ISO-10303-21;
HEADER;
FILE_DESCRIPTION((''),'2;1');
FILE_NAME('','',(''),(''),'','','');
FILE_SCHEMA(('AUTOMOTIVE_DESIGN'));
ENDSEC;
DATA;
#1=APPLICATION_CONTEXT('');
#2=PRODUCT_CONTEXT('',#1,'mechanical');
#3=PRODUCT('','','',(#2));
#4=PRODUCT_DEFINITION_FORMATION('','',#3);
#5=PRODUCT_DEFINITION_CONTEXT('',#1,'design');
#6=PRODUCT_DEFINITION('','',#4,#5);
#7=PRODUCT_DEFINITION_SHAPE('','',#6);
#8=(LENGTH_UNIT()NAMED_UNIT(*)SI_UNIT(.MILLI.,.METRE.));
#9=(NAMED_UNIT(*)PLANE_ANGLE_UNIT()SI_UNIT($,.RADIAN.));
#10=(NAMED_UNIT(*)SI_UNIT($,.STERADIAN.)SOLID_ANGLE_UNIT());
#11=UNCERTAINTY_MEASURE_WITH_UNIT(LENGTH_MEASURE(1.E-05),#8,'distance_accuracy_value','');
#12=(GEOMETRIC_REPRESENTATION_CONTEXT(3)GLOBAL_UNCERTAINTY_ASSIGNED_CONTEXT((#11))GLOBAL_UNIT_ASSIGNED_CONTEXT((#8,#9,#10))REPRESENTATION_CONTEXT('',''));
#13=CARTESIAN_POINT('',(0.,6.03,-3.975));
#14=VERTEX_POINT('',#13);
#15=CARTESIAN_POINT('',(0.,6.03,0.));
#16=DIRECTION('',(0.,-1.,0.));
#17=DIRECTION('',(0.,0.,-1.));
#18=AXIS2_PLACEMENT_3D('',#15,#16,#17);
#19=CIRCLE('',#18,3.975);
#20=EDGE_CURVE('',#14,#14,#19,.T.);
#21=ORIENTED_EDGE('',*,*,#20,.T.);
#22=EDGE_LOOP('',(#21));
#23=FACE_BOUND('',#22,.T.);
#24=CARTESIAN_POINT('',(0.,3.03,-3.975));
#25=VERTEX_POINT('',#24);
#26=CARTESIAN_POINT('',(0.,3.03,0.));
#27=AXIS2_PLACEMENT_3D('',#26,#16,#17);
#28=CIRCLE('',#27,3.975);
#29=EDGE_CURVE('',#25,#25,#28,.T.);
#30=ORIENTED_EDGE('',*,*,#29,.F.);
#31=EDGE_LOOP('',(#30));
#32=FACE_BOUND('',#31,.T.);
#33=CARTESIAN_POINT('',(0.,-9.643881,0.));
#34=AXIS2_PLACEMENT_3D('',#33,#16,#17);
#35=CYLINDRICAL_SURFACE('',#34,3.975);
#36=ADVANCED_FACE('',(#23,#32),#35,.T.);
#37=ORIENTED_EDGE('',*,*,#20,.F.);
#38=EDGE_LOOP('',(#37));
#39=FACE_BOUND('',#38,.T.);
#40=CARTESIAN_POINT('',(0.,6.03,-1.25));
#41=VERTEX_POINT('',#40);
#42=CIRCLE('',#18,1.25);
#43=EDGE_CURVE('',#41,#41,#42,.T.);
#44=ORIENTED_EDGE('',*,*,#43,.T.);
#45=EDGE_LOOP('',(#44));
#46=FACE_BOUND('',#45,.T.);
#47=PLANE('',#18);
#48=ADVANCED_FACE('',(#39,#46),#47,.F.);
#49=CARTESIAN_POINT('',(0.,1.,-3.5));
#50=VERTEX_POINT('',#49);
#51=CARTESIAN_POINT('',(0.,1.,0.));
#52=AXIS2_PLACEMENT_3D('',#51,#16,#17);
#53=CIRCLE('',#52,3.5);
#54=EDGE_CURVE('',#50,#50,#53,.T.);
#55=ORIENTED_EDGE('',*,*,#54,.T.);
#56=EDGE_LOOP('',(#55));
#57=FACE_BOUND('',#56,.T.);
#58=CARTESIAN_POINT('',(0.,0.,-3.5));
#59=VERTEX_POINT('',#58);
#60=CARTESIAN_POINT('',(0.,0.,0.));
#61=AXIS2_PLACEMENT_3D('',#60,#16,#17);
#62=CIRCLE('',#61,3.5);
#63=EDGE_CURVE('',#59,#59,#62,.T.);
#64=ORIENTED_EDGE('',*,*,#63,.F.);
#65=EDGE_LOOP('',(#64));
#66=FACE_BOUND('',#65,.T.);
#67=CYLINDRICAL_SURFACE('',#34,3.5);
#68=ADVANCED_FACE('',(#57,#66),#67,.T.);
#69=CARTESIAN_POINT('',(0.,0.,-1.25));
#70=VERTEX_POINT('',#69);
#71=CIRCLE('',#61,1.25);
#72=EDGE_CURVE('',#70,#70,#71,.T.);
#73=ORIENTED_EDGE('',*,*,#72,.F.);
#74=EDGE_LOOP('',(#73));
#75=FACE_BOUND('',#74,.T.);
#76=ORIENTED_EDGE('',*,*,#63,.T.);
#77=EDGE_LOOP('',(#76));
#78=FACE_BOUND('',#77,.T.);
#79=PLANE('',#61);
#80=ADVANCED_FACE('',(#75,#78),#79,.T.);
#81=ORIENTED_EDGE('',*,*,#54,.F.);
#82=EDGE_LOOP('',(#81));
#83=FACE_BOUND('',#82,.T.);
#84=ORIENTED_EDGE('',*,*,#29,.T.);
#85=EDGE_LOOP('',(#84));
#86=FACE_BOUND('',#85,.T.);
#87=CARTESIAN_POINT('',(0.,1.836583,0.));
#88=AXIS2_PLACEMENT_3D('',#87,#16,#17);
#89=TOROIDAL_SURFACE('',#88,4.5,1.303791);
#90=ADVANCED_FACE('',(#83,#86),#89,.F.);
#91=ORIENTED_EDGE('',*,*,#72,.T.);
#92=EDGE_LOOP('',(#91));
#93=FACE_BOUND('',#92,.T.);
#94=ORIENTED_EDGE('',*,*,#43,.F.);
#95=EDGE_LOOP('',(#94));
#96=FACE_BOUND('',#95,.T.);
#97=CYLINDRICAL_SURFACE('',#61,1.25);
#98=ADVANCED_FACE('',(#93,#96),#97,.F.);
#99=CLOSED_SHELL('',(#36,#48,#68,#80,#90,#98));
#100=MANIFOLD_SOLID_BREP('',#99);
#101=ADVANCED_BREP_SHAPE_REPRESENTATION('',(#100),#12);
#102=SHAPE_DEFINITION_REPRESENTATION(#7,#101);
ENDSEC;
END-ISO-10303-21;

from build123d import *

# Parameters (mm, degrees)
FORO_FILETTATO_M3X0_5_1_D = 2.5


with BuildPart() as part:
    # Schizzo1 → Rivoluzione1 (revolve)
    with BuildSketch(Plane.XY, mode=Mode.PRIVATE) as rivoluzione1_sk:
        with BuildLine():
            Line((0, 6.03), (0, 0))
            Line((0, 0), (3.5, 0))
            Line((3.5, 0), (3.5, 1))
            ThreePointArc((3.5, 1), (3.230499606, 2.133633097), (3.975, 3.03))
            Line((3.975, 3.03), (3.975, 6.03))
            Line((3.975, 6.03), (0, 6.03))
        make_face()
    revolve(rivoluzione1_sk.sketch.rotate(Axis((0, -9.6438806, 0), (0, 1, 0)), 90), axis=Axis((0, -9.6438806, 0), (0, 1, 0)))

    # Foro filettato M3x0.5-1 (through all)
    with Locations(Plane(origin=(0, 0, 0), x_dir=(-1, 0, 0), z_dir=(0, -1, 0))):
        with Locations((0, 0)):
            Hole(FORO_FILETTATO_M3X0_5_1_D / 2)


solid = part.part
